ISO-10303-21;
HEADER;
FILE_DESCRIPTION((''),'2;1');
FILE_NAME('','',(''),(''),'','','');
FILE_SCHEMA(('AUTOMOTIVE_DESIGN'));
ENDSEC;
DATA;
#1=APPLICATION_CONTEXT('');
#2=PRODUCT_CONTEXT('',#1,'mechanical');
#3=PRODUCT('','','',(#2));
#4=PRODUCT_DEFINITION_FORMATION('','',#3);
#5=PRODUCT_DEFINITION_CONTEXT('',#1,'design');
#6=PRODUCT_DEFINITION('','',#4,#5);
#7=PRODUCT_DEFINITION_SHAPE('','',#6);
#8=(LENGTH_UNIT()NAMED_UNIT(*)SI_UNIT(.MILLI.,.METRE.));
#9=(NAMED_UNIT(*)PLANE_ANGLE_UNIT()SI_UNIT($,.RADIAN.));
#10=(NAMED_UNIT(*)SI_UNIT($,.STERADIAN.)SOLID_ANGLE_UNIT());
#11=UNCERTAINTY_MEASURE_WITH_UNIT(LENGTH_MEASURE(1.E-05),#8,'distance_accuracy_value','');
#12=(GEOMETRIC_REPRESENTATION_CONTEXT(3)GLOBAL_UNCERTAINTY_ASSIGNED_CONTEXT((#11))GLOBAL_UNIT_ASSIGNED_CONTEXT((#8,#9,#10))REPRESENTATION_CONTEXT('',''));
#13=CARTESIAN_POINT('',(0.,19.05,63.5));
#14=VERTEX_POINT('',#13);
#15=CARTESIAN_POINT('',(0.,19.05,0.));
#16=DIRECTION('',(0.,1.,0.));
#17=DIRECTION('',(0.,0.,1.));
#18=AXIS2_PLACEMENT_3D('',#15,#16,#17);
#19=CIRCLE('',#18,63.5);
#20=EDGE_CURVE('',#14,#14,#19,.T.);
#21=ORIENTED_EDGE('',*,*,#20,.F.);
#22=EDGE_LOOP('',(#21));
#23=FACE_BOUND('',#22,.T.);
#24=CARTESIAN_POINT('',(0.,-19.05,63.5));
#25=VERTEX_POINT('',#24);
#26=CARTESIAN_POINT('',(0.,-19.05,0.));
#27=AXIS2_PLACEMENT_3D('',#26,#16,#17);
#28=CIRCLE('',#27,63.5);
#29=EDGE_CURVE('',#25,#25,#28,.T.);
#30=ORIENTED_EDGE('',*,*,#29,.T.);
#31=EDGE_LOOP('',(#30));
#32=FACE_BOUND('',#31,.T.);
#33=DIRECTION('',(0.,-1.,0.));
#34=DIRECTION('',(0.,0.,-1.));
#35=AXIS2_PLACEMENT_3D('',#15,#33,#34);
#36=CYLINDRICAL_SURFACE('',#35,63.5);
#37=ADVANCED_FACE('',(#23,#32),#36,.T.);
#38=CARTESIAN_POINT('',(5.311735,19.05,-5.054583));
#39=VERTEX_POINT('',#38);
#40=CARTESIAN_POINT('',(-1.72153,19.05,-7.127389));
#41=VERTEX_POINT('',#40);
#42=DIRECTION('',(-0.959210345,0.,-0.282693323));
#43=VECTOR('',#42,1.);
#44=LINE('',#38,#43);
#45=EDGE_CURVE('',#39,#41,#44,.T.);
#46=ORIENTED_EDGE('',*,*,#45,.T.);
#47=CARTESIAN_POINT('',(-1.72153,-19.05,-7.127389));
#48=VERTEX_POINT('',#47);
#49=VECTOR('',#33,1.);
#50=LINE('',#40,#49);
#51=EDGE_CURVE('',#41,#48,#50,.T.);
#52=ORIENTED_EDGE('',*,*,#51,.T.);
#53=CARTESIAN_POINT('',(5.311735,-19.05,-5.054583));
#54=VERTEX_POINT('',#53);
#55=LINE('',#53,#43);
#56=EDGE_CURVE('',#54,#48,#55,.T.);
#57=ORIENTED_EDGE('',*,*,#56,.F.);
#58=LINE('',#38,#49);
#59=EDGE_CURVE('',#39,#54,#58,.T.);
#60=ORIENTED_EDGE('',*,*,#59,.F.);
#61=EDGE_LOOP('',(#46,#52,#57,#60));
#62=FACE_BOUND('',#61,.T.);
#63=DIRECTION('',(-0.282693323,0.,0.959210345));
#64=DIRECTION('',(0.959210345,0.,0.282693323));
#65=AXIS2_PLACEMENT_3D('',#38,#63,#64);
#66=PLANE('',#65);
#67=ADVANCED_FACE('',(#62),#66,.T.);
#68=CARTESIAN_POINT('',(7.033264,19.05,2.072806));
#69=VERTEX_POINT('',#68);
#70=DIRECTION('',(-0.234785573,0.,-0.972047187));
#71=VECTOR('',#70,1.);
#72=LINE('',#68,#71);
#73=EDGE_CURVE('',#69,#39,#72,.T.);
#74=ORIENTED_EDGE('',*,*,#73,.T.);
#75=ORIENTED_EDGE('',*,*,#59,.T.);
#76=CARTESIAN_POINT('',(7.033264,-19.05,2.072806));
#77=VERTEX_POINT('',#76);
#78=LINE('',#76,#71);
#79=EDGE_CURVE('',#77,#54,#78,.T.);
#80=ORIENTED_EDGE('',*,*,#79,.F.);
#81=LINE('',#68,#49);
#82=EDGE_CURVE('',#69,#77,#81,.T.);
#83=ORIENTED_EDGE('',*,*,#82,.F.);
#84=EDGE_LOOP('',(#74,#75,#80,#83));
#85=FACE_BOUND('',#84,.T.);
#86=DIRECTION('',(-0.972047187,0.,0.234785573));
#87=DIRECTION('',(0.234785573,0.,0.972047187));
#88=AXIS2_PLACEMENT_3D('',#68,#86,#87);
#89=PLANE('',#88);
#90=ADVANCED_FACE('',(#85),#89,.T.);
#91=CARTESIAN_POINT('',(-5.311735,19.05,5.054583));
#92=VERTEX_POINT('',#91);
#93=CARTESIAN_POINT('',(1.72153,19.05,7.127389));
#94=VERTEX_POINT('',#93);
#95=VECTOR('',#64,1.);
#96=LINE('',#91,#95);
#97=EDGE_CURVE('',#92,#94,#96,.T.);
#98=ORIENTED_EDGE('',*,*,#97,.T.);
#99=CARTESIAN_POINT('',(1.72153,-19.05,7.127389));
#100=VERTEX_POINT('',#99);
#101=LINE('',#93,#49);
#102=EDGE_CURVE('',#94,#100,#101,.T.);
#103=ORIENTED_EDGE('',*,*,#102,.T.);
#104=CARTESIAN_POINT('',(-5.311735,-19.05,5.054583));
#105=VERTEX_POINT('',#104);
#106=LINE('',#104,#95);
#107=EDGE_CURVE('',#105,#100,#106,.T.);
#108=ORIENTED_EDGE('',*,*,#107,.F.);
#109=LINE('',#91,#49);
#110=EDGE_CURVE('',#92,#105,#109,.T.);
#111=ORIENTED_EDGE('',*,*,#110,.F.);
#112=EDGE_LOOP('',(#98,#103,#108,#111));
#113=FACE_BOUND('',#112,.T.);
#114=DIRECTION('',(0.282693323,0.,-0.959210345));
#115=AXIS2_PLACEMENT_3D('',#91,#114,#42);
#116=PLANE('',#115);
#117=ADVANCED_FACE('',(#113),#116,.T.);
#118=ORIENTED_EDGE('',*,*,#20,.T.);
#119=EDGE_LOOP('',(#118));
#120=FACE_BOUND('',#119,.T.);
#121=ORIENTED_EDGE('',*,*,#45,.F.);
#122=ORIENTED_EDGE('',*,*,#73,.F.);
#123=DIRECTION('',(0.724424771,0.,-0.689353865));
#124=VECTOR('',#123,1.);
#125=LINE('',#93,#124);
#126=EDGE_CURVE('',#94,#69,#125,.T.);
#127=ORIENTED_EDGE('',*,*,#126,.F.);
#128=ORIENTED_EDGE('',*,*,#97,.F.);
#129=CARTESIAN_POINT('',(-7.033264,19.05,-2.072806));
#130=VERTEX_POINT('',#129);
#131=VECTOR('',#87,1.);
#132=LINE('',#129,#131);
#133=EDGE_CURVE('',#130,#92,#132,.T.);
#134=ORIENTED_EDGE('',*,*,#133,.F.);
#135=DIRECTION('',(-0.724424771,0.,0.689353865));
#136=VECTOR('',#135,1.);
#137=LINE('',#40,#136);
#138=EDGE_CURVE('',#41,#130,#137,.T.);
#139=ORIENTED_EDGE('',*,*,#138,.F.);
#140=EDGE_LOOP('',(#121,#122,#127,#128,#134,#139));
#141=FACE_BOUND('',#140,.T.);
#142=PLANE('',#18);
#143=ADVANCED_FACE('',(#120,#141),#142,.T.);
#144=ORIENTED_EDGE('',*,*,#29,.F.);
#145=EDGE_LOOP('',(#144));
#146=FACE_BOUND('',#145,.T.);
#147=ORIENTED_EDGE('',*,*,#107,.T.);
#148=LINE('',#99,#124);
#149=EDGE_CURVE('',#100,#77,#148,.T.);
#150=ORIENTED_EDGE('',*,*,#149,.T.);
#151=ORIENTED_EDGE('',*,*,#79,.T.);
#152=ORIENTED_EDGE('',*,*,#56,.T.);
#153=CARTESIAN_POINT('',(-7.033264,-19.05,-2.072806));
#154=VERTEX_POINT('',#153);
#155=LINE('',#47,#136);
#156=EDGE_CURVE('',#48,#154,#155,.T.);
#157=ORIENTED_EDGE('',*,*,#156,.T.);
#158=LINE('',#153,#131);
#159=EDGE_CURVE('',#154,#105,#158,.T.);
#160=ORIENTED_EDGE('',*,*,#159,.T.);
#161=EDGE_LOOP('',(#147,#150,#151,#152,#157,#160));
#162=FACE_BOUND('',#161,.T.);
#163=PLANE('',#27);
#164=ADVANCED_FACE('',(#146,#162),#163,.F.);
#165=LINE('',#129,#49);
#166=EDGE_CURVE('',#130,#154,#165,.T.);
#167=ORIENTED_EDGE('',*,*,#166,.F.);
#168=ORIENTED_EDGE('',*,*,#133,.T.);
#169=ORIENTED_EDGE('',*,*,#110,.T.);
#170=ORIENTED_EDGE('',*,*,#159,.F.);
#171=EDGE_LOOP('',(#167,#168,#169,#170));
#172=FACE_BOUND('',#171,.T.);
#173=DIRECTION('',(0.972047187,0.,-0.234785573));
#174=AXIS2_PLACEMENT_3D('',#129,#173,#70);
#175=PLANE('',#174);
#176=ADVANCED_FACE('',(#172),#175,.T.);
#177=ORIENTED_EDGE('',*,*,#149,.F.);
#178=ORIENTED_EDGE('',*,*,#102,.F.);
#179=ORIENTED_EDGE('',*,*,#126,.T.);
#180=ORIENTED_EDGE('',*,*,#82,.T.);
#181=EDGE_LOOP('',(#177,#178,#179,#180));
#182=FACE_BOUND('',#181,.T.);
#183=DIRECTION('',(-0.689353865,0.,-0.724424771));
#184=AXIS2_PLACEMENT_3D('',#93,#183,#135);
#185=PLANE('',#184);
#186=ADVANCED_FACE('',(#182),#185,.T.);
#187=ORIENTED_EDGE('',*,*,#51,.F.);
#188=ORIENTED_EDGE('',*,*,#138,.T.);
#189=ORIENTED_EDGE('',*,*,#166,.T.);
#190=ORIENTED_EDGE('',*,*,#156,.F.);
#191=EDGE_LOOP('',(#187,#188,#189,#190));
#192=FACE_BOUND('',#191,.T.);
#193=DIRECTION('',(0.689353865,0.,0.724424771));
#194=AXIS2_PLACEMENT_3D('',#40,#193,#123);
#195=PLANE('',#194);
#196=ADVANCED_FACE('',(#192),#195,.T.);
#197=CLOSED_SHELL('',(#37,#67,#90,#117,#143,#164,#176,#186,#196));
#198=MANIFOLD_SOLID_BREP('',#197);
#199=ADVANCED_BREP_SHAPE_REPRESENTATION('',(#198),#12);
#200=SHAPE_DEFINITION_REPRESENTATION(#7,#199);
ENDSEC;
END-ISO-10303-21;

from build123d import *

# Parameters (mm, degrees)
SKETCH1_R           = 63.5
BOSS_EXTRUDE1_DEPTH = 19.05


with BuildPart() as part:
    # Sketch1 → Boss-Extrude1 (new body, symmetric)
    with BuildSketch(Plane(origin=(0, 0, 0), x_dir=(1, 0, 0), z_dir=(0, 1, 0))):
        Circle(SKETCH1_R)
        Polygon((-7.033264454, 2.072805937), (-5.311734826, -5.05458272), (1.721529628, -7.127388657), (7.033264454, -2.072805937), (5.311734826, 5.05458272), (-1.721529628, 7.127388657), align=None, mode=Mode.SUBTRACT)
    extrude(amount=BOSS_EXTRUDE1_DEPTH, both=True)


solid = part.part
